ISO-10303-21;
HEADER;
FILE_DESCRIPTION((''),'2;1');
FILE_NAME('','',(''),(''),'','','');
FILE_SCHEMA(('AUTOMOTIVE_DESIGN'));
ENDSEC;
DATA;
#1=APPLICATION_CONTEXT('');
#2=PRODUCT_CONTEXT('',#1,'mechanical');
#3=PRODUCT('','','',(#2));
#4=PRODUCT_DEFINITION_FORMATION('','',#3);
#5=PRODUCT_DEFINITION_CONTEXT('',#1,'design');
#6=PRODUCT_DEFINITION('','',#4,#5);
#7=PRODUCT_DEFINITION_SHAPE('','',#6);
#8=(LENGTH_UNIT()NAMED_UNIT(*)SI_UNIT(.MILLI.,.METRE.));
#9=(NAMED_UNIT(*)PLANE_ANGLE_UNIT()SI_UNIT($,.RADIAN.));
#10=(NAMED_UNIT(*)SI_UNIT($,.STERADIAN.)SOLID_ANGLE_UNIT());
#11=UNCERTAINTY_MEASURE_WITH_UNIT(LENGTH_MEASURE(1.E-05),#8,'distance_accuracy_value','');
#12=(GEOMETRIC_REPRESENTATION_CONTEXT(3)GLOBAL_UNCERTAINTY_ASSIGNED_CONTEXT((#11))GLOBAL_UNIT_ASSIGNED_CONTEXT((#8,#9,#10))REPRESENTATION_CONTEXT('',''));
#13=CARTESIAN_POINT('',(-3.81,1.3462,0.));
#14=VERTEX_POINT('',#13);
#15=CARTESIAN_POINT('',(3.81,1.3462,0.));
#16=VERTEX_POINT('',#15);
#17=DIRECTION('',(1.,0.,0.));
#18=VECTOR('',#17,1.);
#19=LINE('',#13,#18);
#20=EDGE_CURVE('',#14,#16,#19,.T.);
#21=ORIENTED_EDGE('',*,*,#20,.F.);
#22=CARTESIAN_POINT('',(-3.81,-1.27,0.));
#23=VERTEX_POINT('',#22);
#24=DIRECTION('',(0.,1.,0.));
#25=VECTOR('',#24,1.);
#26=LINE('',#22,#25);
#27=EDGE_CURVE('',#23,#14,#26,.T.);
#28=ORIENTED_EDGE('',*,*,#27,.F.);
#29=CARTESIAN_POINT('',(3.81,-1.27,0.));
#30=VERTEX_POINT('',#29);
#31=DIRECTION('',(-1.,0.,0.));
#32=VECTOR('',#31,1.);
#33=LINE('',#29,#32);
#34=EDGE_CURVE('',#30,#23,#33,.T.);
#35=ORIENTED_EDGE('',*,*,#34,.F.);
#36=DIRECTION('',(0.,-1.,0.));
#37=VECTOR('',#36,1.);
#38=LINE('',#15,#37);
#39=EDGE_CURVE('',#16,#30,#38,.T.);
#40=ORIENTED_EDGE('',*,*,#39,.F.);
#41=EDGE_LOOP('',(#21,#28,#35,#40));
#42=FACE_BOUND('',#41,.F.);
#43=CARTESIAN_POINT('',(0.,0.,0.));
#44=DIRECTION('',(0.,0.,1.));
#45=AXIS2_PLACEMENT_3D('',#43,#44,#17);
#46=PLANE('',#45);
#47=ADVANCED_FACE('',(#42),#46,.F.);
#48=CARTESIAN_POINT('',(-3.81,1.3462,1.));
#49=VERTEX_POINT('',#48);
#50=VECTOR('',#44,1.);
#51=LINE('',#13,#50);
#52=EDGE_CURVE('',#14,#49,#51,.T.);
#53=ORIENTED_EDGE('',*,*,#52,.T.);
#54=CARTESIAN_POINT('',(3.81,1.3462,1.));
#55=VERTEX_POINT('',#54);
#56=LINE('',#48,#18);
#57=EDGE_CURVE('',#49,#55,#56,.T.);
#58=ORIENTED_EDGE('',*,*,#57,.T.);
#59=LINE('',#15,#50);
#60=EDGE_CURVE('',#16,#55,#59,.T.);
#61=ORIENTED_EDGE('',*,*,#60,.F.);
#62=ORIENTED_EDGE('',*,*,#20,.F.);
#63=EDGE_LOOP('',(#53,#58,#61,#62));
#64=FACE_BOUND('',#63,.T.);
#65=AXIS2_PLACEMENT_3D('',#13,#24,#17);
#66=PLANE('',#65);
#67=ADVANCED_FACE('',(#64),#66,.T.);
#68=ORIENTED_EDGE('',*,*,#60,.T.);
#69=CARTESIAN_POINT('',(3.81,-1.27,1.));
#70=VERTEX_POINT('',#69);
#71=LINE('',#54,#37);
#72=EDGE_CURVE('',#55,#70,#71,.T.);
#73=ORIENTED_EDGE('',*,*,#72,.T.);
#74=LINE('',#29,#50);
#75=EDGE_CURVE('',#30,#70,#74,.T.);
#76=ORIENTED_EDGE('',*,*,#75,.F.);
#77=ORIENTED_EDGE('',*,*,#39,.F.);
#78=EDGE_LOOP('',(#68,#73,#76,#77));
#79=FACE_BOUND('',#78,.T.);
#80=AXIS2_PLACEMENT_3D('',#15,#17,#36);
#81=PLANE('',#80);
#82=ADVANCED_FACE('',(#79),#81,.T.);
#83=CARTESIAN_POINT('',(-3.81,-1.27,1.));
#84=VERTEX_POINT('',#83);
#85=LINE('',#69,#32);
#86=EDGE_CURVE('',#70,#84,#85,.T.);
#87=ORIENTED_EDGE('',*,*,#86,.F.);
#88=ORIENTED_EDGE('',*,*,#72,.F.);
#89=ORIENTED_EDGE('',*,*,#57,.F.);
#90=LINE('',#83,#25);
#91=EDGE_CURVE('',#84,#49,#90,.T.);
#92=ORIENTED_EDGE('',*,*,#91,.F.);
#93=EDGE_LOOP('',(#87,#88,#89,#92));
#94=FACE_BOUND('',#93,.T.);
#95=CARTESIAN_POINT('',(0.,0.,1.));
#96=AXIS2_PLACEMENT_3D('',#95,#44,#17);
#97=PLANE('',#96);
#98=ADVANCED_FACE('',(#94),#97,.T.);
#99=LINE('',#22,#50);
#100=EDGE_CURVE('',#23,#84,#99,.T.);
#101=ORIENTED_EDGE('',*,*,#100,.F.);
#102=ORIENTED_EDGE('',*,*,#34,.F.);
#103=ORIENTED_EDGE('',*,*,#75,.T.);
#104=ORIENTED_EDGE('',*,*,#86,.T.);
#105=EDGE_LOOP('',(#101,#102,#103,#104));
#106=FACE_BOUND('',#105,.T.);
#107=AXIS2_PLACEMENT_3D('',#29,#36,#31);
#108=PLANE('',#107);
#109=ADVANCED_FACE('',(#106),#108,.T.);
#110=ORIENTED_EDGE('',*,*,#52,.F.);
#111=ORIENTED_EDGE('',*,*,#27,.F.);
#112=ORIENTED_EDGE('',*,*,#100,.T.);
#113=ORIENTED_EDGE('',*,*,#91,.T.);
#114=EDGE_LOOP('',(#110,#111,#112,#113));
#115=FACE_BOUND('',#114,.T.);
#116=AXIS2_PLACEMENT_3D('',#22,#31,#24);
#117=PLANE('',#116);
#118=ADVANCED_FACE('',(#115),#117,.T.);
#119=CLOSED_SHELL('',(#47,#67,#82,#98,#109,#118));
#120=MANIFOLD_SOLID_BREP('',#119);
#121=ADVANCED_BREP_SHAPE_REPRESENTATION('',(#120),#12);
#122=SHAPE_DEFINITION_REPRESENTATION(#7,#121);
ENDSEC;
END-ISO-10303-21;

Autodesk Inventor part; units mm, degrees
ref_plane "YZ Plane" through (0, 0, 0) normal (1, 0, 0) x (0, 1, 0)
ref_plane "XZ Plane" through (0, 0, 0) normal (0, 1, 0) x (-1, 0, 0)
ref_plane "XY Plane" through (0, 0, 0) normal (0, 0, 1) x (1, 0, 0)
sketch "1X03, 1X03_53" plane through (0, 0, 0) normal (0, 0, 1) x (1, 0, 0)
  line L0 (-3.81, 1.3462) -> (3.81, 1.3462)
  line L1 (3.81, 1.3462) -> (3.81, -1.27)
  line L2 (3.81, -1.27) -> (-3.81, -1.27)
  line L3 (-3.81, -1.27) -> (-3.81, 1.3462)
extrude "Extrusion1" add sketch "1X03, 1X03_53" along normal blind 1
properties part number "1X03"
